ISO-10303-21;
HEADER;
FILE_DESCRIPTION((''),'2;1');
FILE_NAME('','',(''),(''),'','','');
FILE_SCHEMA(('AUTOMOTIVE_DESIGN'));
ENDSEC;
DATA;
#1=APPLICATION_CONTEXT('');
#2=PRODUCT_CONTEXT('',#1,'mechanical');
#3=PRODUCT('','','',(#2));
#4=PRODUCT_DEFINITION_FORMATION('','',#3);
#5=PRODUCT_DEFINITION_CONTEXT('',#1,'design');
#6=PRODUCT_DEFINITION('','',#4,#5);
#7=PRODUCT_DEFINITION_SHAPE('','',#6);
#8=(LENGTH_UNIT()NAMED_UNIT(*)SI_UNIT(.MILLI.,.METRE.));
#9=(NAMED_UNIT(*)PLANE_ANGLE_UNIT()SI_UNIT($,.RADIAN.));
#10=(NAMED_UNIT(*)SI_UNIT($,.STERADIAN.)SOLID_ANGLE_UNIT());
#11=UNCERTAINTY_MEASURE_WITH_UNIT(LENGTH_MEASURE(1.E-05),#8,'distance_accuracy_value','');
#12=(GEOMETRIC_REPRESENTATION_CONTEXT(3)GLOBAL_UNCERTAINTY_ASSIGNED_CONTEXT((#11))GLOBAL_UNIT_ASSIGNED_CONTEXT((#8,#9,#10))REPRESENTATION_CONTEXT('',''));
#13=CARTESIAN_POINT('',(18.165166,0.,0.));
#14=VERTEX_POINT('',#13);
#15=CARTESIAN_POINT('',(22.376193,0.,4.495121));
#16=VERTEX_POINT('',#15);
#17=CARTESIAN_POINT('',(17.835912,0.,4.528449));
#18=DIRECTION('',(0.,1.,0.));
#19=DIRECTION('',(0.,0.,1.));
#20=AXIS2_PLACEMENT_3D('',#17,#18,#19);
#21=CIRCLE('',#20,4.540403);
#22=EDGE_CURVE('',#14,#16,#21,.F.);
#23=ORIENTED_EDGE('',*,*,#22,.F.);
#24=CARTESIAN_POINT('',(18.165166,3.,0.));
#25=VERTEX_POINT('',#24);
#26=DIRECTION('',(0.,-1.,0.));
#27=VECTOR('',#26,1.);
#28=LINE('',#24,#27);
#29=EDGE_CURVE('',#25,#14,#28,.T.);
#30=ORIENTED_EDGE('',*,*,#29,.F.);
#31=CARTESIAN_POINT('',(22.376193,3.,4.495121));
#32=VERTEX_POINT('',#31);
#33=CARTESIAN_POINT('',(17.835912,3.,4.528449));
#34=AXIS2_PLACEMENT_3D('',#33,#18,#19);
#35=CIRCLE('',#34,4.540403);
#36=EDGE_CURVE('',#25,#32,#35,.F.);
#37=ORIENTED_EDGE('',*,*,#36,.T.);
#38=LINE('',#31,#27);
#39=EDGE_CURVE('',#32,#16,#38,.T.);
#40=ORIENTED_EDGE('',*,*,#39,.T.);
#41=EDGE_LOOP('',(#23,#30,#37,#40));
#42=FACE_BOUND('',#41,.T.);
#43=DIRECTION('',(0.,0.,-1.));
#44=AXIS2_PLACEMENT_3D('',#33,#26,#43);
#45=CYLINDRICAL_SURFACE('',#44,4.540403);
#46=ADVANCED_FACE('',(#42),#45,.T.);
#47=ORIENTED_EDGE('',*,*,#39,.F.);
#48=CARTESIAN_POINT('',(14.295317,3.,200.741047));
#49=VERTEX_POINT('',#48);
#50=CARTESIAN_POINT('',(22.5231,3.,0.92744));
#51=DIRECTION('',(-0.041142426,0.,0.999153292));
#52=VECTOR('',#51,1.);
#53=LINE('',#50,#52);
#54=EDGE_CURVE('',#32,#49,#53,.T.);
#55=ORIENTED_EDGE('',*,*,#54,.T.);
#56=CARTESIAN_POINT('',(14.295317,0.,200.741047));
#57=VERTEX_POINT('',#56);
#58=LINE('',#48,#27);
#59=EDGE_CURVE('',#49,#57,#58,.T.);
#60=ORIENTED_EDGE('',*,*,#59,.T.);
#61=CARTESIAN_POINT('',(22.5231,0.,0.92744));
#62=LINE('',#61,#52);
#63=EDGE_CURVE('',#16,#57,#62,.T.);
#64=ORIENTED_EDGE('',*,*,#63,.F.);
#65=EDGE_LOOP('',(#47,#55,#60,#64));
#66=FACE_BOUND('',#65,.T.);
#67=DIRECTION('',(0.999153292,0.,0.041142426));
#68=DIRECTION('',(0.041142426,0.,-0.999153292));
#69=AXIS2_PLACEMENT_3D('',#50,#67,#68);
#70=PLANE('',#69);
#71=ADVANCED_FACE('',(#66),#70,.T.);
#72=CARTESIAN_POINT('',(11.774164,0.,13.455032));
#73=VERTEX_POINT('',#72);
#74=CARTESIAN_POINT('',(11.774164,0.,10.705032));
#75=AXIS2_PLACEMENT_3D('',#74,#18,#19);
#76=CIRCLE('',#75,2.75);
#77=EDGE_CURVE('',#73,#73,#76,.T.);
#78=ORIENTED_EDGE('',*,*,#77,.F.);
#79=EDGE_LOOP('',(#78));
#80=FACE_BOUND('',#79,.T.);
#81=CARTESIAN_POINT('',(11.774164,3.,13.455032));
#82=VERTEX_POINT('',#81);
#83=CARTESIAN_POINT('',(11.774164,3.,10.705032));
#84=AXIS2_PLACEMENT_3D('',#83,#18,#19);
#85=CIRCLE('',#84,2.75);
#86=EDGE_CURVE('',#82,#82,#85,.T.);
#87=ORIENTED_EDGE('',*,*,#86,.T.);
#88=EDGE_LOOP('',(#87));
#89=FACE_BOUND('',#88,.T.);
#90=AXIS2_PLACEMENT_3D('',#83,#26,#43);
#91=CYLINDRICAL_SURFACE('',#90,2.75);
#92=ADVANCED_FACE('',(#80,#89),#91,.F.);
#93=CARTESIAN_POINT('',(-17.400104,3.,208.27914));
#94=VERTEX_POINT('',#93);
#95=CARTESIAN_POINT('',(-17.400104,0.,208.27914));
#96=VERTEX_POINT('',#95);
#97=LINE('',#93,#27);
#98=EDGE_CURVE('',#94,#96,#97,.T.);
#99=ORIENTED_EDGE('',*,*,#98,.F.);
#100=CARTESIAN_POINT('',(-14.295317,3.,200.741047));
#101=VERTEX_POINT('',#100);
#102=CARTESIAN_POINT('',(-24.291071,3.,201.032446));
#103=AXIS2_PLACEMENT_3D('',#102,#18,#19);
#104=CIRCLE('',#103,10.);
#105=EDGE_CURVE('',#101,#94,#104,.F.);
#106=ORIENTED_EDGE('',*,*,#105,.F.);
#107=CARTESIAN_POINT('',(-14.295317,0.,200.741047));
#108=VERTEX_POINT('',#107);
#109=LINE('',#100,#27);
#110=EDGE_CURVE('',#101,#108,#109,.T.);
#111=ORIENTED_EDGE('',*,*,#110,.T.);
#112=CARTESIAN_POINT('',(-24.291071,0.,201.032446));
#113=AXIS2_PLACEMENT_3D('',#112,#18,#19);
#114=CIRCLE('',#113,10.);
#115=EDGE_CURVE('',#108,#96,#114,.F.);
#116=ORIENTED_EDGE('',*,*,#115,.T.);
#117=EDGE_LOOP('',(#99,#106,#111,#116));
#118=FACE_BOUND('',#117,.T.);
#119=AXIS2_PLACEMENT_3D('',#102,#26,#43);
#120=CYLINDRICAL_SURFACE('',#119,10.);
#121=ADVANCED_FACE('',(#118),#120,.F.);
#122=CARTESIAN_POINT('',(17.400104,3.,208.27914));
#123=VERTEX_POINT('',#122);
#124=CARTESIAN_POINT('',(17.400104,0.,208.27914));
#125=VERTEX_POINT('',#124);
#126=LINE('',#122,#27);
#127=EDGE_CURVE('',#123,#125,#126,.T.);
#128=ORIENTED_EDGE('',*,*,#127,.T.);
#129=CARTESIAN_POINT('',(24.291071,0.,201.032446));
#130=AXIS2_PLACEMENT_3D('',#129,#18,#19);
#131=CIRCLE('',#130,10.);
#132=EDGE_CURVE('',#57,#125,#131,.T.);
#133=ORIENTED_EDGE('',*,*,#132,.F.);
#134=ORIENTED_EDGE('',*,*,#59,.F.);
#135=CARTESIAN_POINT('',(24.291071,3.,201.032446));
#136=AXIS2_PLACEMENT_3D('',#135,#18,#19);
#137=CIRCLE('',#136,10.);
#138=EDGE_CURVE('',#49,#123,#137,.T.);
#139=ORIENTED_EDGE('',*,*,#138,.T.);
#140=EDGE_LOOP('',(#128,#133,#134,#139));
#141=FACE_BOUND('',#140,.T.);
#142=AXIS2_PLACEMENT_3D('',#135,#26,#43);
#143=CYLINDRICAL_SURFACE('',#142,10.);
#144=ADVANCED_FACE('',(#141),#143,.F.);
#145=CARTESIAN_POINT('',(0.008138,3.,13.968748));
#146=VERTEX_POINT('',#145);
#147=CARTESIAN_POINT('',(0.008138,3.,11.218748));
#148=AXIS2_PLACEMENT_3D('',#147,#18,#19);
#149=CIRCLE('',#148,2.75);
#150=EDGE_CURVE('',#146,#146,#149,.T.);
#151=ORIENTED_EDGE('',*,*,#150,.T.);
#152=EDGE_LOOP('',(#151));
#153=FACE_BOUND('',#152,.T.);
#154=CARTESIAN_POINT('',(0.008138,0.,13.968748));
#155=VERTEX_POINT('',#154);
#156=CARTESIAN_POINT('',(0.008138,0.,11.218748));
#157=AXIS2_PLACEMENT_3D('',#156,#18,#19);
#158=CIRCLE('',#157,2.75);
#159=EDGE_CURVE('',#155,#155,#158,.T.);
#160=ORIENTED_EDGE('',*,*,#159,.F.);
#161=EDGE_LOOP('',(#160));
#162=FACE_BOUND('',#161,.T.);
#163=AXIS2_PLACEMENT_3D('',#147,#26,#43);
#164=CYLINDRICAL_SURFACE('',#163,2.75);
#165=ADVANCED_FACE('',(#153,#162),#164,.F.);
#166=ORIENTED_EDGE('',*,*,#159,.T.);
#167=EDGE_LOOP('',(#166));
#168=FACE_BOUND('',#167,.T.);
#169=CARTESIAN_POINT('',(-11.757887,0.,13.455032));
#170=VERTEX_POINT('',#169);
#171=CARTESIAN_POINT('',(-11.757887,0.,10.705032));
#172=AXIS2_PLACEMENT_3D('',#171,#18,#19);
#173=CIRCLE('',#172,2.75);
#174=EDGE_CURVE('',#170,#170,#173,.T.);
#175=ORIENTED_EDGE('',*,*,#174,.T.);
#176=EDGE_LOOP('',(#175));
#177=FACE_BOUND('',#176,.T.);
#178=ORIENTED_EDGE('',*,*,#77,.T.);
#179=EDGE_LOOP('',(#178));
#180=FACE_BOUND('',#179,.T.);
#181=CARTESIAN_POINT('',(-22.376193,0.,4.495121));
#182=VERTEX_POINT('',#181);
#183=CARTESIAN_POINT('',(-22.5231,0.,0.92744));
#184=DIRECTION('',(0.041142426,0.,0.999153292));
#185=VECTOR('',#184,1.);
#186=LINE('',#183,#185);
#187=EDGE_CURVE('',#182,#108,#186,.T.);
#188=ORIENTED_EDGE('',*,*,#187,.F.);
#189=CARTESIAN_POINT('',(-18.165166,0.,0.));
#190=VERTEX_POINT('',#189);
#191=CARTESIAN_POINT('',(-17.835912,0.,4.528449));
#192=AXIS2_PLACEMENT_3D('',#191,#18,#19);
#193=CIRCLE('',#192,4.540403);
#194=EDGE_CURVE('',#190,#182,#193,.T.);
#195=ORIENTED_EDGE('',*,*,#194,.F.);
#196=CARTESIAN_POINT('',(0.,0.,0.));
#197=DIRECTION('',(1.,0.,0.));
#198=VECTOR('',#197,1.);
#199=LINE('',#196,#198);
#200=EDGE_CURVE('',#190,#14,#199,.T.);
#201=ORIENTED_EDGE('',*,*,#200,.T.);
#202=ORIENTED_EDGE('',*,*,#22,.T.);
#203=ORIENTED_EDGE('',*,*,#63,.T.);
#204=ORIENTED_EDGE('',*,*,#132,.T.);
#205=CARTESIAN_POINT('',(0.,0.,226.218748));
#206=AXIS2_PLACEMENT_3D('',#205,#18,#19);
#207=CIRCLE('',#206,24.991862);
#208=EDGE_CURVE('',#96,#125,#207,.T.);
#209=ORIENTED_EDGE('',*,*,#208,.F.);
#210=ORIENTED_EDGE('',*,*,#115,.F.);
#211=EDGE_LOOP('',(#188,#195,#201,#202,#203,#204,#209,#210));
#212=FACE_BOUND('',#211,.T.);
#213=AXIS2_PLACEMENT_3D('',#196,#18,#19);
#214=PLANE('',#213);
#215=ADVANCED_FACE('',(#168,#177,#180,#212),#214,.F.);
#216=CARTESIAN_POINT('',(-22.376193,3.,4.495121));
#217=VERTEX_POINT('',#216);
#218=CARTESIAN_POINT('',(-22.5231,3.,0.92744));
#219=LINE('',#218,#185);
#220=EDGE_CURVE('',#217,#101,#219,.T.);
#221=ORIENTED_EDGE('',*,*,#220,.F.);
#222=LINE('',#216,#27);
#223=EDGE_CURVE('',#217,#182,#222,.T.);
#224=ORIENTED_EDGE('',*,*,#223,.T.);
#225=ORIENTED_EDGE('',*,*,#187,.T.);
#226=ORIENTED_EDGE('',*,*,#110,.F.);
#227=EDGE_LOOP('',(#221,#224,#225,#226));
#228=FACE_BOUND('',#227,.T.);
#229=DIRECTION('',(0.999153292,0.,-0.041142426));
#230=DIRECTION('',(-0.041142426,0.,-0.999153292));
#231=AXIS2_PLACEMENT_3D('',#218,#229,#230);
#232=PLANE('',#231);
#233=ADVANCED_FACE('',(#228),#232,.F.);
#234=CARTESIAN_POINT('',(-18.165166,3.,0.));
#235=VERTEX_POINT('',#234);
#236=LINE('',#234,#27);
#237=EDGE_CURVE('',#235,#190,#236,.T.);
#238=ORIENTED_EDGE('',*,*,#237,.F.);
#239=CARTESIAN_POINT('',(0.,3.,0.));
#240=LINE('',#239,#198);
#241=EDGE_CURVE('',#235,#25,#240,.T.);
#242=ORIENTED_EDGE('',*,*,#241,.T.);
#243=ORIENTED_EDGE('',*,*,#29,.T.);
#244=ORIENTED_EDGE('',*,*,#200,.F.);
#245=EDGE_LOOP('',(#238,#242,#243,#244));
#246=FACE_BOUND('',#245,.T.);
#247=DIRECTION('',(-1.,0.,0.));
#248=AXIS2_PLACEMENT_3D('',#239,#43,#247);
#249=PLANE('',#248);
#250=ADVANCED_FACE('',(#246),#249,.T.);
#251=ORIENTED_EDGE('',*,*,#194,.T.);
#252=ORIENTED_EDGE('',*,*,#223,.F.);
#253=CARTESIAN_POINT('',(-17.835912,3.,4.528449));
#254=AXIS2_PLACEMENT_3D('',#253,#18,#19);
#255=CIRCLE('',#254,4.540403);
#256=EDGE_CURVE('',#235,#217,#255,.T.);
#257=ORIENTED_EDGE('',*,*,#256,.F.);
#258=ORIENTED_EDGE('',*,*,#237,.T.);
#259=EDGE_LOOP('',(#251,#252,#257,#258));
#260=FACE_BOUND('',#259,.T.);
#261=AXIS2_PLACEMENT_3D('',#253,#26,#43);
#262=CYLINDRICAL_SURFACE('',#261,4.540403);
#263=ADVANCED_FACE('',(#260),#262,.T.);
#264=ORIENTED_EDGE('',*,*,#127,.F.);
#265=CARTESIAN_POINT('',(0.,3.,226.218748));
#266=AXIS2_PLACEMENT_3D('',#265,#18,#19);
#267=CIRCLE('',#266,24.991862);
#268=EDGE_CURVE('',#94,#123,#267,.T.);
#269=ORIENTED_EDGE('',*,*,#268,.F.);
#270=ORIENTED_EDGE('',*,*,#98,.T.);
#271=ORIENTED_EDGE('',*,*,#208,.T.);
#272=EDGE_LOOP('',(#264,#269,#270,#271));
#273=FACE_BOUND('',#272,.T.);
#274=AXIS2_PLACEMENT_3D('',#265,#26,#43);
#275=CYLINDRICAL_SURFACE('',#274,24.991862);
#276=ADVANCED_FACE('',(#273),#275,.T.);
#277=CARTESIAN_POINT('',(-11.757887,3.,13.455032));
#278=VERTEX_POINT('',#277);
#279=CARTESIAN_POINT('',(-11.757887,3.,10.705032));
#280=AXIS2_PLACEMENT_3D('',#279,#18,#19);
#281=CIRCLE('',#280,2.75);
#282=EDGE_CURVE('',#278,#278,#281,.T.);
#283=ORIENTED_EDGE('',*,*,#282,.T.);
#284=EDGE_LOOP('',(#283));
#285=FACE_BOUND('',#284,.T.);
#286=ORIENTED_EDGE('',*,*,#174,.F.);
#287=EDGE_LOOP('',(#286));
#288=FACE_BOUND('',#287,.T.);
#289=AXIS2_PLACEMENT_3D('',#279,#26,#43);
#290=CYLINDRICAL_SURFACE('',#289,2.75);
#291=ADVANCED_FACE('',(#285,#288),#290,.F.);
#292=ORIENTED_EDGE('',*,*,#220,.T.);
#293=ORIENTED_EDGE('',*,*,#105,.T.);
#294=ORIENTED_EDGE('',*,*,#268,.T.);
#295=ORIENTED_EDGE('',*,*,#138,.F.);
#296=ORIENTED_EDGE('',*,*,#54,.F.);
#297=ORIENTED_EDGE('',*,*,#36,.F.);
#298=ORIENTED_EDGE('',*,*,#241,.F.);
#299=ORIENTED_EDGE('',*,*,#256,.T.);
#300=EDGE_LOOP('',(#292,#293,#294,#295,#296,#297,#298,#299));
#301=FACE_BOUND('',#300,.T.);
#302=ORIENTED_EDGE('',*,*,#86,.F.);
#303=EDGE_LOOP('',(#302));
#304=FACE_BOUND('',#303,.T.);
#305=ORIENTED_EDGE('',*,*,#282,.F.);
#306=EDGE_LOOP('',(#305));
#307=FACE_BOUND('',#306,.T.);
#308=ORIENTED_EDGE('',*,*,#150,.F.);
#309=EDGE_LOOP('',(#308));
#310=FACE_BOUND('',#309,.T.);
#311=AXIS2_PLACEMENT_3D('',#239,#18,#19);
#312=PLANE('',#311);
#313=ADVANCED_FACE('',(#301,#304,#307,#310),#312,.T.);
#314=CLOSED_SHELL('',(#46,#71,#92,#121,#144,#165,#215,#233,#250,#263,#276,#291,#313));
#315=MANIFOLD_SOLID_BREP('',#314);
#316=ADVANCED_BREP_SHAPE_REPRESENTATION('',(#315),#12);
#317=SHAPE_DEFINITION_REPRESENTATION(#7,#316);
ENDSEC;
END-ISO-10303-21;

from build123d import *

# Parameters (mm, degrees)
SKETCH1_R           = 2.75
SKETCH1_R_2         = 15
SKETCH1_R_3         = 5
BOSS_EXTRUDE3_DEPTH = 3


with BuildPart() as part:
    # Sketch1 → Boss-Extrude3 (new body)
    with BuildSketch(Plane(origin=(0, 0, 0), x_dir=(1, 0, 0), z_dir=(0, 1, 0))):
        with BuildLine():
            Line((-17.506658739, 0), (-18.165165803, 0))
            ThreePointArc((-18.165165803, 0), (-21.149463035, -1.424316358), (-22.376192782, -4.495121005))
            Line((-22.376192782, -4.495121005), (-14.295317192, -200.74104694))
            ThreePointArc((-14.295317192, -200.74104694), (-15.017989675, -204.775435104), (-17.298404685, -208.181055571))
            ThreePointArc((-17.298404685, -208.181055571), (0, -201.226886238), (17.298404685, -208.181055571))
            ThreePointArc((17.298404685, -208.181055571), (15.017989675, -204.775435104), (14.295317192, -200.74104694))
            Line((14.295317192, -200.74104694), (22.376192782, -4.495121005))
            ThreePointArc((22.376192782, -4.495121005), (21.149463035, -1.424316358), (18.165165803, 0))
            Line((18.165165803, 0), (17.506658739, 0))
            Line((17.506658739, 0), (-17.506658739, 0))
        make_face()
        with Locations((-11.757886925, -10.70503214)):
            Circle(SKETCH1_R, mode=Mode.SUBTRACT)
        with Locations((0.008138346, -11.218747897)):
            Circle(SKETCH1_R, mode=Mode.SUBTRACT)
        with Locations((11.774163618, -10.70503214)):
            Circle(SKETCH1_R, mode=Mode.SUBTRACT)
        with BuildLine():
            ThreePointArc((17.298404685, -208.181055571), (0, -201.226886238), (-17.298404685, -208.181055571))
            ThreePointArc((-17.298404685, -208.181055571), (-17.349081254, -208.230277568), (-17.400104292, -208.279140328))
            ThreePointArc((-17.400104292, -208.279140328), (-9.739921707, -249.234548423), (24.991861654, -226.218747892))
            ThreePointArc((24.991861654, -226.218747892), (23.015800531, -216.478826185), (17.400104292, -208.279140328))
            ThreePointArc((17.400104292, -208.279140328), (17.349081254, -208.230277568), (17.298404685, -208.181055571))
        make_face()
        with Locations((0, -226.218747892)):
            Circle(SKETCH1_R_2, mode=Mode.SUBTRACT)
        with Locations((0, -226.218747892)):
            Circle(SKETCH1_R_2)
        with Locations((0, -226.218747892)):
            Circle(SKETCH1_R_3, mode=Mode.SUBTRACT)
        with Locations((0, -226.218747892)):
            Circle(SKETCH1_R_3)
    extrude(amount=BOSS_EXTRUDE3_DEPTH)


solid = part.part
